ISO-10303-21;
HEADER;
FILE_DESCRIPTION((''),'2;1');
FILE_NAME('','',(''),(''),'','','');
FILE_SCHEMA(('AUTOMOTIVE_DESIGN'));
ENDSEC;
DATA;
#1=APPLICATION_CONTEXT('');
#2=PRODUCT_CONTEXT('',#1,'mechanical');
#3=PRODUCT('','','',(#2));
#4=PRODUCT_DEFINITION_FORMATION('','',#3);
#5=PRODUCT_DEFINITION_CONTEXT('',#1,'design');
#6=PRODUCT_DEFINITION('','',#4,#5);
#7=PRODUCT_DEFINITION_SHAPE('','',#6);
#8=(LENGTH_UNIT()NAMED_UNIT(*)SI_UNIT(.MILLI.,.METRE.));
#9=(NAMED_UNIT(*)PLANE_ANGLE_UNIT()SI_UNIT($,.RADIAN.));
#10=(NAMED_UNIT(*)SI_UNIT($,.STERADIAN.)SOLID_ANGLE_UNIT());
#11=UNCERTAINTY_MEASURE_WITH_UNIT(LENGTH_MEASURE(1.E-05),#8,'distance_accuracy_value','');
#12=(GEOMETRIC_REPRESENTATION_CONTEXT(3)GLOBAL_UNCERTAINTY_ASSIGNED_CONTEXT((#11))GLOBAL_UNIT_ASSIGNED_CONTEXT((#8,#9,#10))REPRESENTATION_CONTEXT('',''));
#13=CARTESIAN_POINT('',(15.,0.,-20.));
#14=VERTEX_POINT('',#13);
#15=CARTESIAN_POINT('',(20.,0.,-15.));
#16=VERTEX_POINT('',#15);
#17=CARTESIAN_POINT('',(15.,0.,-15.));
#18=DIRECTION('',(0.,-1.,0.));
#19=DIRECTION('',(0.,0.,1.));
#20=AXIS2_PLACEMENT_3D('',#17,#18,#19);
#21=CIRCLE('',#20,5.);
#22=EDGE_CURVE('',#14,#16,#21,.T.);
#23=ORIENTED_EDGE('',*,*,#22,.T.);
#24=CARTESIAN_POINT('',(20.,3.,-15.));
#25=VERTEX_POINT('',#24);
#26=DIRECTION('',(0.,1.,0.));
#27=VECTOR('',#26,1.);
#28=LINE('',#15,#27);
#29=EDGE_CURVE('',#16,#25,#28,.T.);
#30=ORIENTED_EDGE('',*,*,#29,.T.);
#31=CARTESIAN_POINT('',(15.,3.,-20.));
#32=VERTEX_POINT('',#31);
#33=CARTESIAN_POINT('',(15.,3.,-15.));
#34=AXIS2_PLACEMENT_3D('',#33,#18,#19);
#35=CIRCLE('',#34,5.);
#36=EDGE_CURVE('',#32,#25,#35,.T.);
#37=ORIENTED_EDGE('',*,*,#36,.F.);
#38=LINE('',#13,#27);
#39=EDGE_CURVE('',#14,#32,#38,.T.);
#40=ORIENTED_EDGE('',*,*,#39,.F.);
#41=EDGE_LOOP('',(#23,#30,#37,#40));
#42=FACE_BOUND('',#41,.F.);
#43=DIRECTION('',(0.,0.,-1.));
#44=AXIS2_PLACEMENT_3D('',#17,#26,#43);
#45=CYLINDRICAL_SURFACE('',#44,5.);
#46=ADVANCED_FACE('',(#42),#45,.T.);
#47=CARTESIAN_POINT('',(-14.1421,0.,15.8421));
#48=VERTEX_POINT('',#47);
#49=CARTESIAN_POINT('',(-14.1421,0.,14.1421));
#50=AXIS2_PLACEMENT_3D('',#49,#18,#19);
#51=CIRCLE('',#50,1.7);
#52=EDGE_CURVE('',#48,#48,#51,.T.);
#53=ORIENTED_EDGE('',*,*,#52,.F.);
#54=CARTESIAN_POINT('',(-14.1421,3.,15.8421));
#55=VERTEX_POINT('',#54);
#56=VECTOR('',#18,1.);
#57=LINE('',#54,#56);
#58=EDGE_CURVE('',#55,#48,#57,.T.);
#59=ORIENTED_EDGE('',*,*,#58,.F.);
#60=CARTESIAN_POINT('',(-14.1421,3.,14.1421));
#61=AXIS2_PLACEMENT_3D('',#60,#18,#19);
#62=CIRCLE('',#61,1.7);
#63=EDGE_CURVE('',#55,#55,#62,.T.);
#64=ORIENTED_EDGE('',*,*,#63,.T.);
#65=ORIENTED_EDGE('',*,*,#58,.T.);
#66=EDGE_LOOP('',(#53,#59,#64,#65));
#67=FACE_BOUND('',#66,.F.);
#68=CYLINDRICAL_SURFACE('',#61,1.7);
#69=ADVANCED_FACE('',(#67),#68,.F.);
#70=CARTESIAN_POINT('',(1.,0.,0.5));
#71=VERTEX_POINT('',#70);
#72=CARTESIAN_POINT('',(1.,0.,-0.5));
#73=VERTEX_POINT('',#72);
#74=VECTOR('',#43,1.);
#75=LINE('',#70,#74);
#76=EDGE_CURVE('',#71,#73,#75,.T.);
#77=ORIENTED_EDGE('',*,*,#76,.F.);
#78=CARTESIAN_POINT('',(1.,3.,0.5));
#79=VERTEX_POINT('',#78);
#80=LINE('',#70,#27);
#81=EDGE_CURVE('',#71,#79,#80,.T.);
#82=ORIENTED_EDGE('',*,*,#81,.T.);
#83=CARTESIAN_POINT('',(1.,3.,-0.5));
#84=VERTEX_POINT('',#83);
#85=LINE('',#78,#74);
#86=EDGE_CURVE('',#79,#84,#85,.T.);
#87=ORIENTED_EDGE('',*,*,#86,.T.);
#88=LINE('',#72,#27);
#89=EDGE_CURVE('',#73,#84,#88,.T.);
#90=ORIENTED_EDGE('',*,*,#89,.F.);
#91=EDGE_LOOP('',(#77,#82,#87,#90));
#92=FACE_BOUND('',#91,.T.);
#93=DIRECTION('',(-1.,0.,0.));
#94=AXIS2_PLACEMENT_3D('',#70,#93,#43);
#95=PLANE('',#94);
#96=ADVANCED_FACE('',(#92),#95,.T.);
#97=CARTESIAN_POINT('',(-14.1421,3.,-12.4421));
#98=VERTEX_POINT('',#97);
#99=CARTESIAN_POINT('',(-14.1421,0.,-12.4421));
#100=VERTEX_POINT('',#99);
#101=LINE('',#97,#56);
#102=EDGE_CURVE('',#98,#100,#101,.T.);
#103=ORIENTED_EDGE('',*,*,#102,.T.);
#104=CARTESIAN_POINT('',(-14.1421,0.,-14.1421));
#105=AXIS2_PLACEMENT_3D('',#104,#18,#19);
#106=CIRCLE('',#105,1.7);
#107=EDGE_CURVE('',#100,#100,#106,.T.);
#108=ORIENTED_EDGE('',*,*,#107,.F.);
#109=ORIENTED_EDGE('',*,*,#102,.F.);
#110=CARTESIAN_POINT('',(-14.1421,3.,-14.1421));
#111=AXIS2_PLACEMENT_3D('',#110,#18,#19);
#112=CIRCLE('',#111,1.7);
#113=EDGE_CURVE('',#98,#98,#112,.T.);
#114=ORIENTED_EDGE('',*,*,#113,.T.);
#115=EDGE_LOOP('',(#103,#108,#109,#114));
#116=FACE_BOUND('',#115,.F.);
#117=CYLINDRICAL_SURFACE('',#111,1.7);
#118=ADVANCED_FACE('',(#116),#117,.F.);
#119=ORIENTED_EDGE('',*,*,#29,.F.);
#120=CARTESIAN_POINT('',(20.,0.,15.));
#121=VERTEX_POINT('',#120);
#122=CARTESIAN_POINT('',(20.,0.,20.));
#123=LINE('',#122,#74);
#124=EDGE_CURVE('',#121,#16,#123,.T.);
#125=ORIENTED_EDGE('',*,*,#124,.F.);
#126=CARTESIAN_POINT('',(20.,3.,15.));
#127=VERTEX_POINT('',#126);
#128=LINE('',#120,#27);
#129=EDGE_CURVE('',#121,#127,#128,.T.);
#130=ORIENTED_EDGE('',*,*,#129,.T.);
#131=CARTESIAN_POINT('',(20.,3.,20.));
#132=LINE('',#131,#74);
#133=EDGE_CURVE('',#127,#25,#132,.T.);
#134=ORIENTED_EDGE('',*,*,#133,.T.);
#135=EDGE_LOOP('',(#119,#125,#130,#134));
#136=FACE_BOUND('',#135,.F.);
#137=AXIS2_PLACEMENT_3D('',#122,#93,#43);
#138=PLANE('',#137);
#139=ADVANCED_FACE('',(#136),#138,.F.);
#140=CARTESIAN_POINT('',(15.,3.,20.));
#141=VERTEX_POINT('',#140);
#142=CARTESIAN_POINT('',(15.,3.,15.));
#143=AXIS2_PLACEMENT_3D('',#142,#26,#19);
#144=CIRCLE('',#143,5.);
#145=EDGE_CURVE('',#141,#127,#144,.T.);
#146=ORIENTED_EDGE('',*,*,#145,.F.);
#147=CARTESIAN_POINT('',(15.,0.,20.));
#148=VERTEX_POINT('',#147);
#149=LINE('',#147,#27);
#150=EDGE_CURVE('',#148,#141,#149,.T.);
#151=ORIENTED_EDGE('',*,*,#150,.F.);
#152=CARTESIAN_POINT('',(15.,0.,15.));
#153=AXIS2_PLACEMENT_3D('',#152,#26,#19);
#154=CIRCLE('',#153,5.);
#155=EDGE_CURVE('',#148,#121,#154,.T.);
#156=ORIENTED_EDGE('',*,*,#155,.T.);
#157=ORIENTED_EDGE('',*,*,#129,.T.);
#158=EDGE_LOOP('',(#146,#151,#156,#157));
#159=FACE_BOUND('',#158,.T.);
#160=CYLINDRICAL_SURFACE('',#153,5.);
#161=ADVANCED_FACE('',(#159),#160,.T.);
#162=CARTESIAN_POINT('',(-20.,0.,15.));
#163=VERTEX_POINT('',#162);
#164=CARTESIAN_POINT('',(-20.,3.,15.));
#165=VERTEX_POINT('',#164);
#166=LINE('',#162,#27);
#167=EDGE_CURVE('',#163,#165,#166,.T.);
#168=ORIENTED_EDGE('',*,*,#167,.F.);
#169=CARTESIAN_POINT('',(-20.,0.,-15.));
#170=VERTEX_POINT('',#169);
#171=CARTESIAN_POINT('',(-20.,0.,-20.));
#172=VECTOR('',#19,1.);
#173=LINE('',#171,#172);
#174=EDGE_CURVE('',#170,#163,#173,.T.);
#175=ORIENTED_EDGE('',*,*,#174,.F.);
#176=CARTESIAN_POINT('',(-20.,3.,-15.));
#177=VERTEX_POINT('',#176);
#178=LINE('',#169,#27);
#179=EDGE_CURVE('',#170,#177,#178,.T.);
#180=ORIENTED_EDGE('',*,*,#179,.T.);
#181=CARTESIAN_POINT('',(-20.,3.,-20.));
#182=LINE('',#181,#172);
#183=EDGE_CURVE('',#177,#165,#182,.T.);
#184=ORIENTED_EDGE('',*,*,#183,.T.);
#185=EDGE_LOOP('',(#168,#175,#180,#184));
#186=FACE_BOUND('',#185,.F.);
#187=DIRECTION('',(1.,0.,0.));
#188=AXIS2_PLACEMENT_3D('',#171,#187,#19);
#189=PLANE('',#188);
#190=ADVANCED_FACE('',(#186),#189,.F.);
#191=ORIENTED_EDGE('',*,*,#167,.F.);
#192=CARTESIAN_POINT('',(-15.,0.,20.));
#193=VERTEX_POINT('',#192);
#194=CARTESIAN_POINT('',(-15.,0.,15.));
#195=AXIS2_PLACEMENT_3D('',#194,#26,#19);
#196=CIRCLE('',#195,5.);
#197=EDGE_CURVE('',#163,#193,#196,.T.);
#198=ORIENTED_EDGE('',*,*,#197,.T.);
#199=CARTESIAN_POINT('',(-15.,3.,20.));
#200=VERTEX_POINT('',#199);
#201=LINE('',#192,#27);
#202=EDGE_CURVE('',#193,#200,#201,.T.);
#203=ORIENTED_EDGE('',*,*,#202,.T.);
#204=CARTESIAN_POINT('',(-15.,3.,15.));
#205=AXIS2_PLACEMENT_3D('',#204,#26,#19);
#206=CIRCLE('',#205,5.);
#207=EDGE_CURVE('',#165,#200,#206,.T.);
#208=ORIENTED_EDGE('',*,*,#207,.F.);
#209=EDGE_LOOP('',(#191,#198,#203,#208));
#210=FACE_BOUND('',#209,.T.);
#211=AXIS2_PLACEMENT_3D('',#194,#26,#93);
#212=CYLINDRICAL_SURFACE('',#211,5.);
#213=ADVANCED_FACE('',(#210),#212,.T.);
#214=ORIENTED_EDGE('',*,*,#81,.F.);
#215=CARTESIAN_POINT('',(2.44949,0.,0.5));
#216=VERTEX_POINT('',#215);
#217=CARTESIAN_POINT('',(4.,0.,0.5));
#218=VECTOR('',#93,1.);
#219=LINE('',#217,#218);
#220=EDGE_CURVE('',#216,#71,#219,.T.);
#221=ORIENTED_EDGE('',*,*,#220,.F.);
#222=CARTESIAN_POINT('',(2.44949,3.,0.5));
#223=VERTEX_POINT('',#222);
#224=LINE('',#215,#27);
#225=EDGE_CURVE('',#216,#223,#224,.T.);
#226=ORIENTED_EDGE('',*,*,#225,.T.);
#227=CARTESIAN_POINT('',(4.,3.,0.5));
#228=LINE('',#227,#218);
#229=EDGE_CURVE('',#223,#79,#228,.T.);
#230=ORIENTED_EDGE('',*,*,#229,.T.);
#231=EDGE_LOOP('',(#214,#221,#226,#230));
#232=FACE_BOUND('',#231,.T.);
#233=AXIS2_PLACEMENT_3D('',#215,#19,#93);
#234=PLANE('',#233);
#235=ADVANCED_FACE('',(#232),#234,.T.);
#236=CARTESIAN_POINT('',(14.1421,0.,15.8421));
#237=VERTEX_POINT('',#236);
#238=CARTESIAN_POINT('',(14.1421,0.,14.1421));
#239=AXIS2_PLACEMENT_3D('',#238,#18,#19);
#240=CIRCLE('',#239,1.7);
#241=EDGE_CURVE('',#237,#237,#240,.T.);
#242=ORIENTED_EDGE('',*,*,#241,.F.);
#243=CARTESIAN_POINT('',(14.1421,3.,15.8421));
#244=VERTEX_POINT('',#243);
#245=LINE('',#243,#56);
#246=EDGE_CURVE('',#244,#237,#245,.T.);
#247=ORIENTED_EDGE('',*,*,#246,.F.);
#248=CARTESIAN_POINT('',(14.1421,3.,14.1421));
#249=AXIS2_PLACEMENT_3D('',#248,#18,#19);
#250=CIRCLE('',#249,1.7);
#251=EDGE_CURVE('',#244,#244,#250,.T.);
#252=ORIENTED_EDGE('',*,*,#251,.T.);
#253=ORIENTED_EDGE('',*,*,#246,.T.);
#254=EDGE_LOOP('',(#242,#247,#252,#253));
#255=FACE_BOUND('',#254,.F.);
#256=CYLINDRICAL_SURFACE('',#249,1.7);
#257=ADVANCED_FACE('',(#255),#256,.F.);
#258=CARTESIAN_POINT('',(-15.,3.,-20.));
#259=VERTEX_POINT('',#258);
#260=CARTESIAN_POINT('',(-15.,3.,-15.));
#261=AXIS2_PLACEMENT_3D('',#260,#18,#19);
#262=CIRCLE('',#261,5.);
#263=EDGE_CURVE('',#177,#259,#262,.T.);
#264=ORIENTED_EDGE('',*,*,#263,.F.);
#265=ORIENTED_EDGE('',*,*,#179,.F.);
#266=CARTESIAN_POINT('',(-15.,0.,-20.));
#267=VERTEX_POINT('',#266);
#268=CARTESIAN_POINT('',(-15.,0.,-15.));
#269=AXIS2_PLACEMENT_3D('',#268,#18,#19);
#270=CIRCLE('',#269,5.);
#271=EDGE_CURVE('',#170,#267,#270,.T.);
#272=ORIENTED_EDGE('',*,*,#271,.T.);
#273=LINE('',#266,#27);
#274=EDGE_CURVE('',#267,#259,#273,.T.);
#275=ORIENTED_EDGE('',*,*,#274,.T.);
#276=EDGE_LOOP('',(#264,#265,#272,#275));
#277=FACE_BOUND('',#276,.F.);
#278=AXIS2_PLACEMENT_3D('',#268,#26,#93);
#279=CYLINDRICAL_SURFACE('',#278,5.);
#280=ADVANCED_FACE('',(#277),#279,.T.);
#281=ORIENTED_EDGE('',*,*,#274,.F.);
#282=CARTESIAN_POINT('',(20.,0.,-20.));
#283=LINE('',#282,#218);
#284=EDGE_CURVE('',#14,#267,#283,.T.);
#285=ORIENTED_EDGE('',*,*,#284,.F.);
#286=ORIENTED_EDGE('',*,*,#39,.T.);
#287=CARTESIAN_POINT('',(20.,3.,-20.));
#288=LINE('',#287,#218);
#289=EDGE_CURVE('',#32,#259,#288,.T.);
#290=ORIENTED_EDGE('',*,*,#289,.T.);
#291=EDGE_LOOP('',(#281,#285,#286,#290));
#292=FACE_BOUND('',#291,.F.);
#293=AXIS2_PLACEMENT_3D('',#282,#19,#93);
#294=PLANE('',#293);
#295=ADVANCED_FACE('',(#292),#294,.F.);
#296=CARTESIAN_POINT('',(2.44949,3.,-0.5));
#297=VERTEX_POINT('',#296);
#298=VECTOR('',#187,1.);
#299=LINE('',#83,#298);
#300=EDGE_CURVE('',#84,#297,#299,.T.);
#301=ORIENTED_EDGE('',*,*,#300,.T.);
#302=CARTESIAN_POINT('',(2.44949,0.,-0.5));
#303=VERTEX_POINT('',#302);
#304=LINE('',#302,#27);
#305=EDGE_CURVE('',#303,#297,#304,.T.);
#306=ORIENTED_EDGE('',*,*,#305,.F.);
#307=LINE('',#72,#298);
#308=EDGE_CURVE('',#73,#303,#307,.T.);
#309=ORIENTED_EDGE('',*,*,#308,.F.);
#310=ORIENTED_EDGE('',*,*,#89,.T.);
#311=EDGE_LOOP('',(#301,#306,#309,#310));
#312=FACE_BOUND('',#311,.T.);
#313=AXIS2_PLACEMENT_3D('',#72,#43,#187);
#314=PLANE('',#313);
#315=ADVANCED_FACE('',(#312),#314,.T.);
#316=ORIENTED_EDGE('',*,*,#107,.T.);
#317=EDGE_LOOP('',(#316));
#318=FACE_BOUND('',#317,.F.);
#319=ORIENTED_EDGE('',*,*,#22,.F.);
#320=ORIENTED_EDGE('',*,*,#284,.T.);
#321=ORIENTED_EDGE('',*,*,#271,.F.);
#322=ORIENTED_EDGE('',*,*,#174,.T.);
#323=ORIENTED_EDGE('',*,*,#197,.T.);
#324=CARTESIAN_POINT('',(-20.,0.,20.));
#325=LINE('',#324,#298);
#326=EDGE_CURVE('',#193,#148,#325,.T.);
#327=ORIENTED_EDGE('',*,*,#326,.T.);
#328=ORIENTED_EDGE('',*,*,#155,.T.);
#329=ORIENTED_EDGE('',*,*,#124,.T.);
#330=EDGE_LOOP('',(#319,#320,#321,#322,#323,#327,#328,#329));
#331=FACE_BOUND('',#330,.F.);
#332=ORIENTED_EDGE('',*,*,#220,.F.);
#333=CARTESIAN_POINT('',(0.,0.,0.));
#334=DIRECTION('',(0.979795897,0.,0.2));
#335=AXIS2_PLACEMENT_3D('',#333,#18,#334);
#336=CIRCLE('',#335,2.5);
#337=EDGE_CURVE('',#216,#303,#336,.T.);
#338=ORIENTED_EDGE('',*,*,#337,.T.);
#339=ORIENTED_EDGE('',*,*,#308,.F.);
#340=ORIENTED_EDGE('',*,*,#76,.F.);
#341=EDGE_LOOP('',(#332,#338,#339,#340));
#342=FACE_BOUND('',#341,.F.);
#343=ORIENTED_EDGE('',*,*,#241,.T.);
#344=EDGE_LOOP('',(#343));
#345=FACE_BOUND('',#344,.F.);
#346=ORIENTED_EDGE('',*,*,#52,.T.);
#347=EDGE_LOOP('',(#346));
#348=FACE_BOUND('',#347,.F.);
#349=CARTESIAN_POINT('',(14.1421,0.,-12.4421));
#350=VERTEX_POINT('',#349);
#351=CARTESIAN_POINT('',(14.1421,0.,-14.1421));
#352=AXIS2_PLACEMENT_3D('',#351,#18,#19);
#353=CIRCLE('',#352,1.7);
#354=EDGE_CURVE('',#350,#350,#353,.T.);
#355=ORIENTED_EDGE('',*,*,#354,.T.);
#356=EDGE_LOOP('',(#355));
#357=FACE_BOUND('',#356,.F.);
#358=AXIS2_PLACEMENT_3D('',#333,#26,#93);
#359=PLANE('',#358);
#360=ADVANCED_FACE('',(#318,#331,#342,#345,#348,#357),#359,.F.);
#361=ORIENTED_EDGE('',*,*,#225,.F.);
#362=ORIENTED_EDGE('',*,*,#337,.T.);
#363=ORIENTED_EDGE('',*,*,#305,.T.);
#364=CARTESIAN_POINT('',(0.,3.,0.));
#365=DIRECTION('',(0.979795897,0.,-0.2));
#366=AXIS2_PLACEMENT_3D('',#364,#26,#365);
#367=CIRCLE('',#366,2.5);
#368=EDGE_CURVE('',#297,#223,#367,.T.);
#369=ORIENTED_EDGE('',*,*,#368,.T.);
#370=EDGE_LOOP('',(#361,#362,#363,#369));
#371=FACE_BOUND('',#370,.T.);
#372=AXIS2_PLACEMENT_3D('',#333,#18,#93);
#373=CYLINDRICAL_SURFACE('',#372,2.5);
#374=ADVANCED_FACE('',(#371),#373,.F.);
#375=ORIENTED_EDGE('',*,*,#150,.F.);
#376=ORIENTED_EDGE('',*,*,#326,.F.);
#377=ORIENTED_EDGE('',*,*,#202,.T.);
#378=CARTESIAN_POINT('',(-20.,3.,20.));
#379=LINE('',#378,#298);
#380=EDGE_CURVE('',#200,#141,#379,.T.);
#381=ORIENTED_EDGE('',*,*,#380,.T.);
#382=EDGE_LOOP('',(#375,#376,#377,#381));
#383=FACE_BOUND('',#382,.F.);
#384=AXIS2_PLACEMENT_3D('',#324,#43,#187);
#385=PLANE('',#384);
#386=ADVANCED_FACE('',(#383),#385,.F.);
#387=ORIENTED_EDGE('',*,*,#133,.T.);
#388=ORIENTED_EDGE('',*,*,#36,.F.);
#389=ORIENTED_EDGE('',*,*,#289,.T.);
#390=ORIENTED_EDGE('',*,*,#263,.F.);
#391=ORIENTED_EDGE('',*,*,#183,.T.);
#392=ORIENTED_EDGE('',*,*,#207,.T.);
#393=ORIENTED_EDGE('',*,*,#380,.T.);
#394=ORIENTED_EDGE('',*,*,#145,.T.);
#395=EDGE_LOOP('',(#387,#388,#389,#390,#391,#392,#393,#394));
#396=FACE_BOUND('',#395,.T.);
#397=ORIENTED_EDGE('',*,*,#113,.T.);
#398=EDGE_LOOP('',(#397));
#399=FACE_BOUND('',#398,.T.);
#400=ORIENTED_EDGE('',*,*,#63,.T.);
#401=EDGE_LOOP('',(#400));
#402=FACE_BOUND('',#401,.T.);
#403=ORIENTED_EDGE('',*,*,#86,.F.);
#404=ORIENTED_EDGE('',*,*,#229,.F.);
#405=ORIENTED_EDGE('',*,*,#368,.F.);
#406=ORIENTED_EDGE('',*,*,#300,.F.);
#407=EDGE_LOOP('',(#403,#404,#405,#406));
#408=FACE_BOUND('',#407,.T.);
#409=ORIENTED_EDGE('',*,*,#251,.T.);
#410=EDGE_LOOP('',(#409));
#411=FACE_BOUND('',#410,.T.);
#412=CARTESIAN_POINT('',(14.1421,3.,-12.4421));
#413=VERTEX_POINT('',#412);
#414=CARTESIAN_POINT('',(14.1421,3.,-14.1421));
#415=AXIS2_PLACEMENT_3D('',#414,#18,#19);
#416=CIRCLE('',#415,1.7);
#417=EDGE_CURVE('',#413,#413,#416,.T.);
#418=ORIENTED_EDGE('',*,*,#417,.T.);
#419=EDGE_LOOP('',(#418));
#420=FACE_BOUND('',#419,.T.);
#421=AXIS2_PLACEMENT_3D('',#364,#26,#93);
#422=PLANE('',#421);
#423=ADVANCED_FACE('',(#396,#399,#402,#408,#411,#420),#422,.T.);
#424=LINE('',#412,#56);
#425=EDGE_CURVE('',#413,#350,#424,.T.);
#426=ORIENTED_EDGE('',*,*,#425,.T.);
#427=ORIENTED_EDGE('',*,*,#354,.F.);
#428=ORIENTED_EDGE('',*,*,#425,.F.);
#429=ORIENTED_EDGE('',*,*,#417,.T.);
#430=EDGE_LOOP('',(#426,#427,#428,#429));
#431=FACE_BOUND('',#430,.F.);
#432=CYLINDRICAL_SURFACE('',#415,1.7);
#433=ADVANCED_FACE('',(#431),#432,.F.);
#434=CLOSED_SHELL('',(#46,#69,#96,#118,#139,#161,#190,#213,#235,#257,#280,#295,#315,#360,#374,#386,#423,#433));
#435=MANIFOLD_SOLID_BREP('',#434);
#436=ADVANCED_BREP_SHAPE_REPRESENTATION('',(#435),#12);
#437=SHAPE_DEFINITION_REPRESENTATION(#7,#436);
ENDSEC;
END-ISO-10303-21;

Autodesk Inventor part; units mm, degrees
ref_plane "YZ Plane" through (0, 0, 0) normal (1, 0, 0) x (0, 1, 0)
ref_plane "XZ Plane" through (0, 0, 0) normal (0, 1, 0) x (-1, 0, 0)
ref_plane "XY Plane" through (0, 0, 0) normal (0, 0, 1) x (1, 0, 0)
sketch "Sketch1" plane through (0, 0, 0) normal (0, 1, 0) x (-1, 0, 0)
  circle A0 centre (0, 0) radius 14.5 construction
  circle A1 centre (0, 0) radius 2.5
  line L0 (-4, 0.5) -> (-1, 0.5)
  line L1 (-1, 0.5) -> (-1, -0.5)
  line L2 (-1, -0.5) -> (-4, -0.5)
  line L3 (-4, -0.5) -> (-4, 0.5)
  line L4 (-4, 0.5) -> (-1, -0.5) construction
  line L5 (-1, 0.5) -> (-4, -0.5) construction
  line L6 (20, 20) -> (-20, 20)
  line L7 (-20, 20) -> (-20, -20)
  line L8 (-20, -20) -> (20, -20)
  line L9 (20, -20) -> (20, 20)
  line L10 (20, 20) -> (-20, -20) construction
  line L11 (-20, 20) -> (20, -20) construction
  point P0 (-2.5, 0)
  point P1 (-2.4495, 0.5)
  point P2 (-2.4495, -0.5)
  dimension "d1" = 5
  dimension "d0" = 29
  dimension "d2" = 1
  dimension "d3" = 1
  dimension "d6" = 40
  dimension "d7" = 40
extrude "Extrusion1" add sketch "Sketch1" along normal blind 3 contours L0 L1 L2 A1 | A1 L2 L3 L0 | L9 L8 L7 L6 picked at (-1.4981, -0.0559)
sketch "Sketch2" plane through (0, 3, 0) normal (0, 1, 0) x (1, 0, 0)
  arc A0 (2.4495, 0.5) -> (2.4495, -0.5) centre (0, 0) ccw projected
  line L0 (-20, 20) -> (-20, -20) projected
  circle A1 centre (0, 0) radius 20 construction
  line L1 (-20, -20) -> (0, 0) construction
  point P0 (-14.1421, -14.1421)
  point P1 (14.1421, -14.1421)
  point P2 (14.1421, 14.1421)
  point P3 (-14.1421, 14.1421)
  dimension "d8" = 40
  dimension "d11" = 360
hole "Hole1" at (-14.1421, 3, 14.1421) at (14.1421, 3, 14.1421) at (14.1421, 3, -14.1421) at (-14.1421, 3, -14.1421) direction (0, -1, 0) diameter 3.4 end through all clearance for "Socket Head Cap Screw ISO 4762" size "M3" standard "ISO"
fillet "Fillet1" radius 5 4 edges at (-20, 1.5, 20) (-20, 1.5, -20) (20, 1.5, -20) (20, 1.5, 20)
equation "\"d7\" = d6"
properties part number "rod allingment"
